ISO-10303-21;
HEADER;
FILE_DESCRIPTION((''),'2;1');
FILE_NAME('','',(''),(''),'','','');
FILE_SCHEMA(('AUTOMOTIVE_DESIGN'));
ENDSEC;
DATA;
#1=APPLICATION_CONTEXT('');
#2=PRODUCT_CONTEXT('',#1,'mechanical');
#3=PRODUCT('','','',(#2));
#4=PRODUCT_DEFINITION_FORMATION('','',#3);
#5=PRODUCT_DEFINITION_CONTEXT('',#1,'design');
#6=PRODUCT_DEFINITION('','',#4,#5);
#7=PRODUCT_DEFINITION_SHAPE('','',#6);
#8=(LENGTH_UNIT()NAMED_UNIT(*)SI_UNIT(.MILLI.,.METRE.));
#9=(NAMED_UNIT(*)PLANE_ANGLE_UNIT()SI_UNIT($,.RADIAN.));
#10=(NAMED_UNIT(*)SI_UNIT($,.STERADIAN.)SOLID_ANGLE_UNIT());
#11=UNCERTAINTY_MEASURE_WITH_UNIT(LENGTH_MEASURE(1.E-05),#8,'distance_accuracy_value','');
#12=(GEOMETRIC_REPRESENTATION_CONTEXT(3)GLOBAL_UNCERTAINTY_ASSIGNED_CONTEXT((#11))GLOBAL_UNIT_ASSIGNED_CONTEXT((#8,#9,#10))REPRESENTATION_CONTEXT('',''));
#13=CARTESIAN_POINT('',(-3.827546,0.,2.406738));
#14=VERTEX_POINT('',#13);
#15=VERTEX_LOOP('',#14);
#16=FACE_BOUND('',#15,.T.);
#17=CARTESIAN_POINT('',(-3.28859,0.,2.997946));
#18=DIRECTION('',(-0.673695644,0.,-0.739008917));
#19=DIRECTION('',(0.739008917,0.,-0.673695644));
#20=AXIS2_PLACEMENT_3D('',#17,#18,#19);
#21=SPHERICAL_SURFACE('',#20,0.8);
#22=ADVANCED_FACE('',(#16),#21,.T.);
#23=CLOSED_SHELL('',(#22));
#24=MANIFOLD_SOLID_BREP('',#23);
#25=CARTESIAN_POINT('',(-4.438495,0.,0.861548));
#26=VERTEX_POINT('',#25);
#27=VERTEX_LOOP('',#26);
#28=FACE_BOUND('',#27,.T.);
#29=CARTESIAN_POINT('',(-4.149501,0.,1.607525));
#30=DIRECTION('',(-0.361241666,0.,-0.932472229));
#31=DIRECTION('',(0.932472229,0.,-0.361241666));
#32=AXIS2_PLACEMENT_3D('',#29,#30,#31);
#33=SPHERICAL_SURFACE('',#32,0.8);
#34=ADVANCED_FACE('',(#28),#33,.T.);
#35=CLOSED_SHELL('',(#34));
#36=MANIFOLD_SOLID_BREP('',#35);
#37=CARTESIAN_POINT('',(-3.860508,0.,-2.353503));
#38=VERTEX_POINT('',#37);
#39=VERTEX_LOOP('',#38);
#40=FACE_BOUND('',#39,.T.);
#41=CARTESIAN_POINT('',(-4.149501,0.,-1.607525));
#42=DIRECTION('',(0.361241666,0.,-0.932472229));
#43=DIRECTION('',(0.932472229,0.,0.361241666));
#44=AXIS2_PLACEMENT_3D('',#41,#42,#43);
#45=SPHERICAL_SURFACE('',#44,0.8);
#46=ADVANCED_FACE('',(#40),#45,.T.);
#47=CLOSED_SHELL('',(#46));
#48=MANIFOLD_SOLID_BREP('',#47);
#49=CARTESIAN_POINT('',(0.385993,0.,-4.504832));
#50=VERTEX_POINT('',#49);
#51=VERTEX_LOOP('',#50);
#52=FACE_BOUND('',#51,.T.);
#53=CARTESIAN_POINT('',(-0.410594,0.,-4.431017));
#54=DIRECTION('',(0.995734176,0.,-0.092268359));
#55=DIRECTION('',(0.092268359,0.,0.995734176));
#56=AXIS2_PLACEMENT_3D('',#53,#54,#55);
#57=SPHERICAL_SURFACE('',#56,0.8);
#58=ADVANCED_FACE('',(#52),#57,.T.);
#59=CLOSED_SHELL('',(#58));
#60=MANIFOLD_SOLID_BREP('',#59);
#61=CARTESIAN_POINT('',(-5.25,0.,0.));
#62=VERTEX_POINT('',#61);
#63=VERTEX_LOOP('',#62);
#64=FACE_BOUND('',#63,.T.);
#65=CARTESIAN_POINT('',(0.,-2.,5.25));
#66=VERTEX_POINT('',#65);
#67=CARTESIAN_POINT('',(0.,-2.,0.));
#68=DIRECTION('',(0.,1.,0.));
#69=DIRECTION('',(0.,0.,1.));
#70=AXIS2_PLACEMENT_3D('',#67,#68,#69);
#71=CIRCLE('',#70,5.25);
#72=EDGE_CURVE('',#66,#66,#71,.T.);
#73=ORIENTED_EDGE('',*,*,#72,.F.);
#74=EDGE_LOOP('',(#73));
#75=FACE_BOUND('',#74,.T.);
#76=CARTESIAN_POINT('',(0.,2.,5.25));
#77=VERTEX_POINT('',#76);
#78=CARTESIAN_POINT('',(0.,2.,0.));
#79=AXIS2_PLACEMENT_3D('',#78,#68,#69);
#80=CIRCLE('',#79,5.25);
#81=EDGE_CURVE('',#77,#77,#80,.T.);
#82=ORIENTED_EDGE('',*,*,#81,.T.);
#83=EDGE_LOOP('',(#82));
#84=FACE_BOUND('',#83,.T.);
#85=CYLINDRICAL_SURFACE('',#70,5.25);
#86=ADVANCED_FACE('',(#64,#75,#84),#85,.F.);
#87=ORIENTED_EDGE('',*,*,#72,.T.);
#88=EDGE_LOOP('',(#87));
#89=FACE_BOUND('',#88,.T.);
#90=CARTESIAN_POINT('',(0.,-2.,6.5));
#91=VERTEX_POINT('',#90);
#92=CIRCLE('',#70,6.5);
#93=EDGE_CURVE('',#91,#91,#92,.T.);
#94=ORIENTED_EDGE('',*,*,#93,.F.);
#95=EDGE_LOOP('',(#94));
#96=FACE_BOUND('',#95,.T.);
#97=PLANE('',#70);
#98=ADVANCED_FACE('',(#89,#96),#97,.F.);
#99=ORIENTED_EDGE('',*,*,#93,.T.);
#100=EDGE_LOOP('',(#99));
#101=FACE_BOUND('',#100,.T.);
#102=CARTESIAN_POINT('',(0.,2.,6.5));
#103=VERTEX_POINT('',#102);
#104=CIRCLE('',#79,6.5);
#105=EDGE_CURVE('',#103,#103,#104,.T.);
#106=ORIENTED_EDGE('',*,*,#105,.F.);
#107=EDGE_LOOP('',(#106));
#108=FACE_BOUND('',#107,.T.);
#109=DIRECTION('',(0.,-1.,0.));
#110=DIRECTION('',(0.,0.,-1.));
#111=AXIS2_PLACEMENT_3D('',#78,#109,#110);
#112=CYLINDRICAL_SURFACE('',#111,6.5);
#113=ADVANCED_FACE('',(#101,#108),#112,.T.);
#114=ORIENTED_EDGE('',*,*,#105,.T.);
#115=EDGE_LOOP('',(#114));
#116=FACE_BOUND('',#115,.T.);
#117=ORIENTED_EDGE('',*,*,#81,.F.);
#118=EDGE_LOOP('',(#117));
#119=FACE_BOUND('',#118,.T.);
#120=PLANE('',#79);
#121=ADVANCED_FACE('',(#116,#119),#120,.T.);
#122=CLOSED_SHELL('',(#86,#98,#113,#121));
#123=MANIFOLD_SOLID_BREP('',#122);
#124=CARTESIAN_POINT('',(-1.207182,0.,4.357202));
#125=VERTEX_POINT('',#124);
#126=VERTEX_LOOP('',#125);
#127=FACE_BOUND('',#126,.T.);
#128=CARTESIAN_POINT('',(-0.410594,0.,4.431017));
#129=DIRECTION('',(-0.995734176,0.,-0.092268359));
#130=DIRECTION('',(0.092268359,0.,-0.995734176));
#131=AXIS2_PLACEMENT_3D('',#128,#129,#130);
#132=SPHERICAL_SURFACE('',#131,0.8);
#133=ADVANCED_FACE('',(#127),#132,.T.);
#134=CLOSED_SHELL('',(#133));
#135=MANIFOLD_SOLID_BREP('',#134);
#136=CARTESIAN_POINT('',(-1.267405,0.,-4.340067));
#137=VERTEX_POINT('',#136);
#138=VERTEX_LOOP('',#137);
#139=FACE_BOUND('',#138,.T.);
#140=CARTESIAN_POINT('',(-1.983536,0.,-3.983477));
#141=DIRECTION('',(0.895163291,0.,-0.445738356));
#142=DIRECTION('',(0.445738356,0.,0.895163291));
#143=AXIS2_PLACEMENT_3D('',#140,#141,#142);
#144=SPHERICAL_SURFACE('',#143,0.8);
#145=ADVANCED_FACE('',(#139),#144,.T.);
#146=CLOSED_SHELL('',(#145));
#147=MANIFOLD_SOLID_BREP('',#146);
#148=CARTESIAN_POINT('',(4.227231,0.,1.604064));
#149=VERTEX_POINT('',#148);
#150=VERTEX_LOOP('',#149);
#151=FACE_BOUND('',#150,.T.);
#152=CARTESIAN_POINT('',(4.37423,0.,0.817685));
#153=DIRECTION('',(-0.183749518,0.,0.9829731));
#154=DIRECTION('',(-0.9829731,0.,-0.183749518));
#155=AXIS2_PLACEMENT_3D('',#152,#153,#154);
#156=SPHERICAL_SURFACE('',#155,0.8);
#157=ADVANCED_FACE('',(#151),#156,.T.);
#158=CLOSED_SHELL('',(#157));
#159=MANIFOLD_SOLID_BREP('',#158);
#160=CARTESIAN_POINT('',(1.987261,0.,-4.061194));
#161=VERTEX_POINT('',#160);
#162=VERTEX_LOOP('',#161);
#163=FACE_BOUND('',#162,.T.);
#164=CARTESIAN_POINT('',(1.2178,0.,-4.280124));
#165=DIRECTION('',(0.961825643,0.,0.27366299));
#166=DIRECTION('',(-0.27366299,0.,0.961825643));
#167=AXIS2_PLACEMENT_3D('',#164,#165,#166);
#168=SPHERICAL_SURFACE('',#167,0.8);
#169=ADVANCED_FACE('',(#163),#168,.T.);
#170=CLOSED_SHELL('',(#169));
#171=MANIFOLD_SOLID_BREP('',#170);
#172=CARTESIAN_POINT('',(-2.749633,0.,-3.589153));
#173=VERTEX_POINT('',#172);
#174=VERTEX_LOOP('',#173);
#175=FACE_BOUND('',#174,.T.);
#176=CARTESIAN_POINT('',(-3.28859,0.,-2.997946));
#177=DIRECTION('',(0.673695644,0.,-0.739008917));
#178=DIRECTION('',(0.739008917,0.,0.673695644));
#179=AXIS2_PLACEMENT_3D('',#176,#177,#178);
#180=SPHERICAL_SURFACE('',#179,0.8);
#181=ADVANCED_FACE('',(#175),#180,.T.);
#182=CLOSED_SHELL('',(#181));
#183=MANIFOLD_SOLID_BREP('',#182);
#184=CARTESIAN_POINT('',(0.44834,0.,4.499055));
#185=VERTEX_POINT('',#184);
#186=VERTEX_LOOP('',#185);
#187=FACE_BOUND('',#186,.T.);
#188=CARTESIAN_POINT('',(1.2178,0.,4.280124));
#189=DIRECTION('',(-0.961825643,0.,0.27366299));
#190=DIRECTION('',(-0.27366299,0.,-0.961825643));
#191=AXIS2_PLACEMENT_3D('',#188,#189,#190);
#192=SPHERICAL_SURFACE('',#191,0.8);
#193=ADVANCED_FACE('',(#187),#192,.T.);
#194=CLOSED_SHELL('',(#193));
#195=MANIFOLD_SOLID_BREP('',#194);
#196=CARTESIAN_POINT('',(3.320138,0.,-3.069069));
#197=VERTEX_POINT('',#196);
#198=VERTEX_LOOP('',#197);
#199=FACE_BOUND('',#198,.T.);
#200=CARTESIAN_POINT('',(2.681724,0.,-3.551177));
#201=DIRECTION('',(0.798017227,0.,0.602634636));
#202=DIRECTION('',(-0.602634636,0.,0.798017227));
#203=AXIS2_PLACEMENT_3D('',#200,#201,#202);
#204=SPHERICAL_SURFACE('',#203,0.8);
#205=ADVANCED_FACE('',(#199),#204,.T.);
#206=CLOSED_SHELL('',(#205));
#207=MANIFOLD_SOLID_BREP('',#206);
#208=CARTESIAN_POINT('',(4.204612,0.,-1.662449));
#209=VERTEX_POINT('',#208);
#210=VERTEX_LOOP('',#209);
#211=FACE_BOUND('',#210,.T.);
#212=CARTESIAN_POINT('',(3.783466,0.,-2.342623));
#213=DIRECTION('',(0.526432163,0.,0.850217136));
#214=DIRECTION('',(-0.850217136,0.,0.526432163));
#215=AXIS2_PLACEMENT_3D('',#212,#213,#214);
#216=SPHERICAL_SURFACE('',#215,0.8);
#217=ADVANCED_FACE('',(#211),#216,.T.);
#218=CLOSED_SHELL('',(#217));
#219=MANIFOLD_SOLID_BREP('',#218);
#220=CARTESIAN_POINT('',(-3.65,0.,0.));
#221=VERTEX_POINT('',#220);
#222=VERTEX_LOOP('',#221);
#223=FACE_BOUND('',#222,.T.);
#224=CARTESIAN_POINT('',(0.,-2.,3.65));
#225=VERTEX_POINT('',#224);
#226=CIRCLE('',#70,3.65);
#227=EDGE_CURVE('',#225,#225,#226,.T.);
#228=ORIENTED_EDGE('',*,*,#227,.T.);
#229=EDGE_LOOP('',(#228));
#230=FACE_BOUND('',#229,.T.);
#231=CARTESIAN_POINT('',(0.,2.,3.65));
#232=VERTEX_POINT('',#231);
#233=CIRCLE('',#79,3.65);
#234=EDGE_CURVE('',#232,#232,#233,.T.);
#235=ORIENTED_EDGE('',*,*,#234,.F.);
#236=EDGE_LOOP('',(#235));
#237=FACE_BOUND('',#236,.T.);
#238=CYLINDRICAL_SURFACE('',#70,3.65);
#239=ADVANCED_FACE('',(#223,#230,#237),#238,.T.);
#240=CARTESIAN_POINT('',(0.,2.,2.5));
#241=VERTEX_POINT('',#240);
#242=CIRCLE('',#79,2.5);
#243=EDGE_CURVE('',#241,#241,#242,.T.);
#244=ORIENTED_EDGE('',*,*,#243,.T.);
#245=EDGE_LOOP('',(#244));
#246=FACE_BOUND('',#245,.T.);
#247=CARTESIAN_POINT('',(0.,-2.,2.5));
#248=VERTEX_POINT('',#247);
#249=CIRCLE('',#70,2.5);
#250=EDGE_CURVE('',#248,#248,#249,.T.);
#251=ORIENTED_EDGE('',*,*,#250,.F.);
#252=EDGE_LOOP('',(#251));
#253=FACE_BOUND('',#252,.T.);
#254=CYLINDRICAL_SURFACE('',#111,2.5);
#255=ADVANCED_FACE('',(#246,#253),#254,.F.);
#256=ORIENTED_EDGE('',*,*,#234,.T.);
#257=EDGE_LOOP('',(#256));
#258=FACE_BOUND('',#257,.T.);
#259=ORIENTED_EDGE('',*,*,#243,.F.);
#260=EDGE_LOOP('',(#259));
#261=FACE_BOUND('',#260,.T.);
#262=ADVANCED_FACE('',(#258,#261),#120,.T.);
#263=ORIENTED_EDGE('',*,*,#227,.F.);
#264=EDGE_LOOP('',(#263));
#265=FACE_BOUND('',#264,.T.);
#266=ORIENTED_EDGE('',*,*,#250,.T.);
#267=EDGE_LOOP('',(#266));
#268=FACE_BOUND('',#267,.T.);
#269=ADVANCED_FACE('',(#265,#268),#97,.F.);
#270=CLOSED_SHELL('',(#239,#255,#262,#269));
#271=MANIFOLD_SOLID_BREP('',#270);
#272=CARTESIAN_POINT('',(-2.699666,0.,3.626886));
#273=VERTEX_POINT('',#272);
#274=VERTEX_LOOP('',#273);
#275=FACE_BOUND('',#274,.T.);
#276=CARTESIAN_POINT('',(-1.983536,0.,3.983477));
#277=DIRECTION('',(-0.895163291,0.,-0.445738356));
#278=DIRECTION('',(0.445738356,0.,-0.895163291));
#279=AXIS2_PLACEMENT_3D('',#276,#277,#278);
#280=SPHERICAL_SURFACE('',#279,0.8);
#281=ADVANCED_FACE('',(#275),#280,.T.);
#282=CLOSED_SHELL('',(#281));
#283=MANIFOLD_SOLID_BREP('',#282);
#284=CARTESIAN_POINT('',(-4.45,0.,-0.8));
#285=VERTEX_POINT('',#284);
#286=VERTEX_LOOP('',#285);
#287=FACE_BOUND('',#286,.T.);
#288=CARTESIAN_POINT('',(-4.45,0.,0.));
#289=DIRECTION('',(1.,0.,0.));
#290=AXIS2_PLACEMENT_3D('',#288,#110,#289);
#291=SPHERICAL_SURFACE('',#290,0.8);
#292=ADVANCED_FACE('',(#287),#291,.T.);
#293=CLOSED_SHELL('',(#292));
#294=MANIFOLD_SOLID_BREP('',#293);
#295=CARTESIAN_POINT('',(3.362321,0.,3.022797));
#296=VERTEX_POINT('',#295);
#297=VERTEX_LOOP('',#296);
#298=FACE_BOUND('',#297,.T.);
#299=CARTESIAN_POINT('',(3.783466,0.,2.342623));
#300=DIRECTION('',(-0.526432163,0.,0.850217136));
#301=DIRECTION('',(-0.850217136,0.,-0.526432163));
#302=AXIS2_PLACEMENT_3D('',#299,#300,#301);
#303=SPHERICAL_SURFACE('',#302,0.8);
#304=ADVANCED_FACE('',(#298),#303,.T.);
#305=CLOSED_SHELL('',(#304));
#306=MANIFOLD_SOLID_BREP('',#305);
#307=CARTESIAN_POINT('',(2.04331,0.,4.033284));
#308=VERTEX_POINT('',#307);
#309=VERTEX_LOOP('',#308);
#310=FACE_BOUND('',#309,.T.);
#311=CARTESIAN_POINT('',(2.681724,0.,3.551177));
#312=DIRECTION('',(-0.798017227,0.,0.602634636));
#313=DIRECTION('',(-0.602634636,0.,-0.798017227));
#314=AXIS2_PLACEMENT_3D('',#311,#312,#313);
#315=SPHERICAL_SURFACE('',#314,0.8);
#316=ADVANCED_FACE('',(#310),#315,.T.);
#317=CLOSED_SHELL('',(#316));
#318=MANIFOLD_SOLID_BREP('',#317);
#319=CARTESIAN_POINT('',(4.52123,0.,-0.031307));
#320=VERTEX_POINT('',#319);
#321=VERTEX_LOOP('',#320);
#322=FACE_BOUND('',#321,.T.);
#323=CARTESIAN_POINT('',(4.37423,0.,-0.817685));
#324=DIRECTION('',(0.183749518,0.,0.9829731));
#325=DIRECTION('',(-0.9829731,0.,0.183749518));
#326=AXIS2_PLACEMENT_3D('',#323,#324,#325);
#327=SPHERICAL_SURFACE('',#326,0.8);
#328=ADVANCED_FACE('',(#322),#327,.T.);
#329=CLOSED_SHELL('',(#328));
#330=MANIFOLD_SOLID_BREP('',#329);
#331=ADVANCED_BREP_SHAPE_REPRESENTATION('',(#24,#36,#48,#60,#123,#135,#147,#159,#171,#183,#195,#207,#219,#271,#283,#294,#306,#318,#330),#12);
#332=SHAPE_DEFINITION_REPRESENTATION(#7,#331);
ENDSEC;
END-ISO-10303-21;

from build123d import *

# Parameters (mm, degrees)
SKETCH_1_R               = 6.5
SKETCH_1_R_2             = 2.5
EXTRUDE_1_DEPTH          = 2
SKETCH_2_R               = 5.25
SKETCH_2_R_2             = 3.65
CUT_EXTRUDE_2_DEPTH      = 11.024968828
PATTERN_CIRCULAR_4_COUNT = 17


with BuildPart() as part:
    # 草图1 → 凸台-拉伸1 (new, symmetric)
    with BuildSketch(Plane(origin=(0, 0, 0), x_dir=(1, 0, 0), z_dir=(0, 1, 0))):
        with Locations(Location((0, 0, 0), (0, 0, 270))):
            Circle(SKETCH_1_R)
        with Locations(Location((0, 0, 0), (0, 0, 270))):
            Circle(SKETCH_1_R_2, mode=Mode.SUBTRACT)
    extrude(amount=EXTRUDE_1_DEPTH, both=True)

    # 草图2 → 切除-拉伸2 (cut, through all)
    with BuildSketch(Plane(origin=(0, 2, 0), x_dir=(1, 0, 0), z_dir=(0, 1, 0))):
        with Locations(Location((0, 0, 0), (0, 0, 270))):
            Circle(SKETCH_2_R)
        with Locations(Location((0, 0, 0), (0, 0, 270))):
            Circle(SKETCH_2_R_2, mode=Mode.SUBTRACT)
    extrude(amount=-CUT_EXTRUDE_2_DEPTH, mode=Mode.SUBTRACT)


with BuildPart() as cut_extrude_2_piece_1:
    # of the separate pieces the step leaves, piece 1, a body of its own (cut_extrude_2_pieces)
    add(part.part.solids().sort_by_distance((0, -2, 6.5))[0])


with BuildPart() as cut_extrude_2_piece_2:
    # of the separate pieces the step leaves, piece 2, a body of its own (cut_extrude_2_pieces)
    add(part.part.solids().sort_by_distance((0, -2, 3.65))[0])


with BuildPart() as body_3:
    # 草图4 → 旋转5 (revolve)
    with BuildSketch(Plane(origin=(0, 0, 0), x_dir=(1, 0, 0), z_dir=(0, 1, 0))):
        with BuildLine():
            Line((-4.45, 0.8), (-4.45, -0.8))
            ThreePointArc((-4.45, -0.8), (-3.65, 0), (-4.45, 0.8))
        make_face()
    revolve(axis=Axis((-4.45, 0, -2.218864941), (0, 0, 1)))


with BuildPart() as pattern_circular_4_1:
    # 阵列(圆周)4: pattern copy
    add(body_3.part.rotate(Axis((0, 0, 0), (0, 1, 0)), 1 * 360 / PATTERN_CIRCULAR_4_COUNT))


with BuildPart() as pattern_circular_4_2:
    # 阵列(圆周)4: pattern copy
    add(body_3.part.rotate(Axis((0, 0, 0), (0, 1, 0)), 2 * 360 / PATTERN_CIRCULAR_4_COUNT))


with BuildPart() as pattern_circular_4_3:
    # 阵列(圆周)4: pattern copy
    add(body_3.part.rotate(Axis((0, 0, 0), (0, 1, 0)), 3 * 360 / PATTERN_CIRCULAR_4_COUNT))


with BuildPart() as pattern_circular_4_4:
    # 阵列(圆周)4: pattern copy
    add(body_3.part.rotate(Axis((0, 0, 0), (0, 1, 0)), 4 * 360 / PATTERN_CIRCULAR_4_COUNT))


with BuildPart() as pattern_circular_4_5:
    # 阵列(圆周)4: pattern copy
    add(body_3.part.rotate(Axis((0, 0, 0), (0, 1, 0)), 5 * 360 / PATTERN_CIRCULAR_4_COUNT))


with BuildPart() as pattern_circular_4_6:
    # 阵列(圆周)4: pattern copy
    add(body_3.part.rotate(Axis((0, 0, 0), (0, 1, 0)), 6 * 360 / PATTERN_CIRCULAR_4_COUNT))


with BuildPart() as pattern_circular_4_7:
    # 阵列(圆周)4: pattern copy
    add(body_3.part.rotate(Axis((0, 0, 0), (0, 1, 0)), 7 * 360 / PATTERN_CIRCULAR_4_COUNT))


with BuildPart() as pattern_circular_4_8:
    # 阵列(圆周)4: pattern copy
    add(body_3.part.rotate(Axis((0, 0, 0), (0, 1, 0)), 8 * 360 / PATTERN_CIRCULAR_4_COUNT))


with BuildPart() as pattern_circular_4_9:
    # 阵列(圆周)4: pattern copy
    add(body_3.part.rotate(Axis((0, 0, 0), (0, 1, 0)), 9 * 360 / PATTERN_CIRCULAR_4_COUNT))


with BuildPart() as pattern_circular_4_10:
    # 阵列(圆周)4: pattern copy
    add(body_3.part.rotate(Axis((0, 0, 0), (0, 1, 0)), 10 * 360 / PATTERN_CIRCULAR_4_COUNT))


with BuildPart() as pattern_circular_4_11:
    # 阵列(圆周)4: pattern copy
    add(body_3.part.rotate(Axis((0, 0, 0), (0, 1, 0)), 11 * 360 / PATTERN_CIRCULAR_4_COUNT))


with BuildPart() as pattern_circular_4_12:
    # 阵列(圆周)4: pattern copy
    add(body_3.part.rotate(Axis((0, 0, 0), (0, 1, 0)), 12 * 360 / PATTERN_CIRCULAR_4_COUNT))


with BuildPart() as pattern_circular_4_13:
    # 阵列(圆周)4: pattern copy
    add(body_3.part.rotate(Axis((0, 0, 0), (0, 1, 0)), 13 * 360 / PATTERN_CIRCULAR_4_COUNT))


with BuildPart() as pattern_circular_4_14:
    # 阵列(圆周)4: pattern copy
    add(body_3.part.rotate(Axis((0, 0, 0), (0, 1, 0)), 14 * 360 / PATTERN_CIRCULAR_4_COUNT))


with BuildPart() as pattern_circular_4_15:
    # 阵列(圆周)4: pattern copy
    add(body_3.part.rotate(Axis((0, 0, 0), (0, 1, 0)), 15 * 360 / PATTERN_CIRCULAR_4_COUNT))


with BuildPart() as pattern_circular_4_16:
    # 阵列(圆周)4: pattern copy
    add(body_3.part.rotate(Axis((0, 0, 0), (0, 1, 0)), 16 * 360 / PATTERN_CIRCULAR_4_COUNT))


solid = Compound([cut_extrude_2_piece_1.part, cut_extrude_2_piece_2.part, body_3.part, pattern_circular_4_1.part, pattern_circular_4_2.part, pattern_circular_4_3.part, pattern_circular_4_4.part, pattern_circular_4_5.part, pattern_circular_4_6.part, pattern_circular_4_7.part, pattern_circular_4_8.part, pattern_circular_4_9.part, pattern_circular_4_10.part, pattern_circular_4_11.part, pattern_circular_4_12.part, pattern_circular_4_13.part, pattern_circular_4_14.part, pattern_circular_4_15.part, pattern_circular_4_16.part])
